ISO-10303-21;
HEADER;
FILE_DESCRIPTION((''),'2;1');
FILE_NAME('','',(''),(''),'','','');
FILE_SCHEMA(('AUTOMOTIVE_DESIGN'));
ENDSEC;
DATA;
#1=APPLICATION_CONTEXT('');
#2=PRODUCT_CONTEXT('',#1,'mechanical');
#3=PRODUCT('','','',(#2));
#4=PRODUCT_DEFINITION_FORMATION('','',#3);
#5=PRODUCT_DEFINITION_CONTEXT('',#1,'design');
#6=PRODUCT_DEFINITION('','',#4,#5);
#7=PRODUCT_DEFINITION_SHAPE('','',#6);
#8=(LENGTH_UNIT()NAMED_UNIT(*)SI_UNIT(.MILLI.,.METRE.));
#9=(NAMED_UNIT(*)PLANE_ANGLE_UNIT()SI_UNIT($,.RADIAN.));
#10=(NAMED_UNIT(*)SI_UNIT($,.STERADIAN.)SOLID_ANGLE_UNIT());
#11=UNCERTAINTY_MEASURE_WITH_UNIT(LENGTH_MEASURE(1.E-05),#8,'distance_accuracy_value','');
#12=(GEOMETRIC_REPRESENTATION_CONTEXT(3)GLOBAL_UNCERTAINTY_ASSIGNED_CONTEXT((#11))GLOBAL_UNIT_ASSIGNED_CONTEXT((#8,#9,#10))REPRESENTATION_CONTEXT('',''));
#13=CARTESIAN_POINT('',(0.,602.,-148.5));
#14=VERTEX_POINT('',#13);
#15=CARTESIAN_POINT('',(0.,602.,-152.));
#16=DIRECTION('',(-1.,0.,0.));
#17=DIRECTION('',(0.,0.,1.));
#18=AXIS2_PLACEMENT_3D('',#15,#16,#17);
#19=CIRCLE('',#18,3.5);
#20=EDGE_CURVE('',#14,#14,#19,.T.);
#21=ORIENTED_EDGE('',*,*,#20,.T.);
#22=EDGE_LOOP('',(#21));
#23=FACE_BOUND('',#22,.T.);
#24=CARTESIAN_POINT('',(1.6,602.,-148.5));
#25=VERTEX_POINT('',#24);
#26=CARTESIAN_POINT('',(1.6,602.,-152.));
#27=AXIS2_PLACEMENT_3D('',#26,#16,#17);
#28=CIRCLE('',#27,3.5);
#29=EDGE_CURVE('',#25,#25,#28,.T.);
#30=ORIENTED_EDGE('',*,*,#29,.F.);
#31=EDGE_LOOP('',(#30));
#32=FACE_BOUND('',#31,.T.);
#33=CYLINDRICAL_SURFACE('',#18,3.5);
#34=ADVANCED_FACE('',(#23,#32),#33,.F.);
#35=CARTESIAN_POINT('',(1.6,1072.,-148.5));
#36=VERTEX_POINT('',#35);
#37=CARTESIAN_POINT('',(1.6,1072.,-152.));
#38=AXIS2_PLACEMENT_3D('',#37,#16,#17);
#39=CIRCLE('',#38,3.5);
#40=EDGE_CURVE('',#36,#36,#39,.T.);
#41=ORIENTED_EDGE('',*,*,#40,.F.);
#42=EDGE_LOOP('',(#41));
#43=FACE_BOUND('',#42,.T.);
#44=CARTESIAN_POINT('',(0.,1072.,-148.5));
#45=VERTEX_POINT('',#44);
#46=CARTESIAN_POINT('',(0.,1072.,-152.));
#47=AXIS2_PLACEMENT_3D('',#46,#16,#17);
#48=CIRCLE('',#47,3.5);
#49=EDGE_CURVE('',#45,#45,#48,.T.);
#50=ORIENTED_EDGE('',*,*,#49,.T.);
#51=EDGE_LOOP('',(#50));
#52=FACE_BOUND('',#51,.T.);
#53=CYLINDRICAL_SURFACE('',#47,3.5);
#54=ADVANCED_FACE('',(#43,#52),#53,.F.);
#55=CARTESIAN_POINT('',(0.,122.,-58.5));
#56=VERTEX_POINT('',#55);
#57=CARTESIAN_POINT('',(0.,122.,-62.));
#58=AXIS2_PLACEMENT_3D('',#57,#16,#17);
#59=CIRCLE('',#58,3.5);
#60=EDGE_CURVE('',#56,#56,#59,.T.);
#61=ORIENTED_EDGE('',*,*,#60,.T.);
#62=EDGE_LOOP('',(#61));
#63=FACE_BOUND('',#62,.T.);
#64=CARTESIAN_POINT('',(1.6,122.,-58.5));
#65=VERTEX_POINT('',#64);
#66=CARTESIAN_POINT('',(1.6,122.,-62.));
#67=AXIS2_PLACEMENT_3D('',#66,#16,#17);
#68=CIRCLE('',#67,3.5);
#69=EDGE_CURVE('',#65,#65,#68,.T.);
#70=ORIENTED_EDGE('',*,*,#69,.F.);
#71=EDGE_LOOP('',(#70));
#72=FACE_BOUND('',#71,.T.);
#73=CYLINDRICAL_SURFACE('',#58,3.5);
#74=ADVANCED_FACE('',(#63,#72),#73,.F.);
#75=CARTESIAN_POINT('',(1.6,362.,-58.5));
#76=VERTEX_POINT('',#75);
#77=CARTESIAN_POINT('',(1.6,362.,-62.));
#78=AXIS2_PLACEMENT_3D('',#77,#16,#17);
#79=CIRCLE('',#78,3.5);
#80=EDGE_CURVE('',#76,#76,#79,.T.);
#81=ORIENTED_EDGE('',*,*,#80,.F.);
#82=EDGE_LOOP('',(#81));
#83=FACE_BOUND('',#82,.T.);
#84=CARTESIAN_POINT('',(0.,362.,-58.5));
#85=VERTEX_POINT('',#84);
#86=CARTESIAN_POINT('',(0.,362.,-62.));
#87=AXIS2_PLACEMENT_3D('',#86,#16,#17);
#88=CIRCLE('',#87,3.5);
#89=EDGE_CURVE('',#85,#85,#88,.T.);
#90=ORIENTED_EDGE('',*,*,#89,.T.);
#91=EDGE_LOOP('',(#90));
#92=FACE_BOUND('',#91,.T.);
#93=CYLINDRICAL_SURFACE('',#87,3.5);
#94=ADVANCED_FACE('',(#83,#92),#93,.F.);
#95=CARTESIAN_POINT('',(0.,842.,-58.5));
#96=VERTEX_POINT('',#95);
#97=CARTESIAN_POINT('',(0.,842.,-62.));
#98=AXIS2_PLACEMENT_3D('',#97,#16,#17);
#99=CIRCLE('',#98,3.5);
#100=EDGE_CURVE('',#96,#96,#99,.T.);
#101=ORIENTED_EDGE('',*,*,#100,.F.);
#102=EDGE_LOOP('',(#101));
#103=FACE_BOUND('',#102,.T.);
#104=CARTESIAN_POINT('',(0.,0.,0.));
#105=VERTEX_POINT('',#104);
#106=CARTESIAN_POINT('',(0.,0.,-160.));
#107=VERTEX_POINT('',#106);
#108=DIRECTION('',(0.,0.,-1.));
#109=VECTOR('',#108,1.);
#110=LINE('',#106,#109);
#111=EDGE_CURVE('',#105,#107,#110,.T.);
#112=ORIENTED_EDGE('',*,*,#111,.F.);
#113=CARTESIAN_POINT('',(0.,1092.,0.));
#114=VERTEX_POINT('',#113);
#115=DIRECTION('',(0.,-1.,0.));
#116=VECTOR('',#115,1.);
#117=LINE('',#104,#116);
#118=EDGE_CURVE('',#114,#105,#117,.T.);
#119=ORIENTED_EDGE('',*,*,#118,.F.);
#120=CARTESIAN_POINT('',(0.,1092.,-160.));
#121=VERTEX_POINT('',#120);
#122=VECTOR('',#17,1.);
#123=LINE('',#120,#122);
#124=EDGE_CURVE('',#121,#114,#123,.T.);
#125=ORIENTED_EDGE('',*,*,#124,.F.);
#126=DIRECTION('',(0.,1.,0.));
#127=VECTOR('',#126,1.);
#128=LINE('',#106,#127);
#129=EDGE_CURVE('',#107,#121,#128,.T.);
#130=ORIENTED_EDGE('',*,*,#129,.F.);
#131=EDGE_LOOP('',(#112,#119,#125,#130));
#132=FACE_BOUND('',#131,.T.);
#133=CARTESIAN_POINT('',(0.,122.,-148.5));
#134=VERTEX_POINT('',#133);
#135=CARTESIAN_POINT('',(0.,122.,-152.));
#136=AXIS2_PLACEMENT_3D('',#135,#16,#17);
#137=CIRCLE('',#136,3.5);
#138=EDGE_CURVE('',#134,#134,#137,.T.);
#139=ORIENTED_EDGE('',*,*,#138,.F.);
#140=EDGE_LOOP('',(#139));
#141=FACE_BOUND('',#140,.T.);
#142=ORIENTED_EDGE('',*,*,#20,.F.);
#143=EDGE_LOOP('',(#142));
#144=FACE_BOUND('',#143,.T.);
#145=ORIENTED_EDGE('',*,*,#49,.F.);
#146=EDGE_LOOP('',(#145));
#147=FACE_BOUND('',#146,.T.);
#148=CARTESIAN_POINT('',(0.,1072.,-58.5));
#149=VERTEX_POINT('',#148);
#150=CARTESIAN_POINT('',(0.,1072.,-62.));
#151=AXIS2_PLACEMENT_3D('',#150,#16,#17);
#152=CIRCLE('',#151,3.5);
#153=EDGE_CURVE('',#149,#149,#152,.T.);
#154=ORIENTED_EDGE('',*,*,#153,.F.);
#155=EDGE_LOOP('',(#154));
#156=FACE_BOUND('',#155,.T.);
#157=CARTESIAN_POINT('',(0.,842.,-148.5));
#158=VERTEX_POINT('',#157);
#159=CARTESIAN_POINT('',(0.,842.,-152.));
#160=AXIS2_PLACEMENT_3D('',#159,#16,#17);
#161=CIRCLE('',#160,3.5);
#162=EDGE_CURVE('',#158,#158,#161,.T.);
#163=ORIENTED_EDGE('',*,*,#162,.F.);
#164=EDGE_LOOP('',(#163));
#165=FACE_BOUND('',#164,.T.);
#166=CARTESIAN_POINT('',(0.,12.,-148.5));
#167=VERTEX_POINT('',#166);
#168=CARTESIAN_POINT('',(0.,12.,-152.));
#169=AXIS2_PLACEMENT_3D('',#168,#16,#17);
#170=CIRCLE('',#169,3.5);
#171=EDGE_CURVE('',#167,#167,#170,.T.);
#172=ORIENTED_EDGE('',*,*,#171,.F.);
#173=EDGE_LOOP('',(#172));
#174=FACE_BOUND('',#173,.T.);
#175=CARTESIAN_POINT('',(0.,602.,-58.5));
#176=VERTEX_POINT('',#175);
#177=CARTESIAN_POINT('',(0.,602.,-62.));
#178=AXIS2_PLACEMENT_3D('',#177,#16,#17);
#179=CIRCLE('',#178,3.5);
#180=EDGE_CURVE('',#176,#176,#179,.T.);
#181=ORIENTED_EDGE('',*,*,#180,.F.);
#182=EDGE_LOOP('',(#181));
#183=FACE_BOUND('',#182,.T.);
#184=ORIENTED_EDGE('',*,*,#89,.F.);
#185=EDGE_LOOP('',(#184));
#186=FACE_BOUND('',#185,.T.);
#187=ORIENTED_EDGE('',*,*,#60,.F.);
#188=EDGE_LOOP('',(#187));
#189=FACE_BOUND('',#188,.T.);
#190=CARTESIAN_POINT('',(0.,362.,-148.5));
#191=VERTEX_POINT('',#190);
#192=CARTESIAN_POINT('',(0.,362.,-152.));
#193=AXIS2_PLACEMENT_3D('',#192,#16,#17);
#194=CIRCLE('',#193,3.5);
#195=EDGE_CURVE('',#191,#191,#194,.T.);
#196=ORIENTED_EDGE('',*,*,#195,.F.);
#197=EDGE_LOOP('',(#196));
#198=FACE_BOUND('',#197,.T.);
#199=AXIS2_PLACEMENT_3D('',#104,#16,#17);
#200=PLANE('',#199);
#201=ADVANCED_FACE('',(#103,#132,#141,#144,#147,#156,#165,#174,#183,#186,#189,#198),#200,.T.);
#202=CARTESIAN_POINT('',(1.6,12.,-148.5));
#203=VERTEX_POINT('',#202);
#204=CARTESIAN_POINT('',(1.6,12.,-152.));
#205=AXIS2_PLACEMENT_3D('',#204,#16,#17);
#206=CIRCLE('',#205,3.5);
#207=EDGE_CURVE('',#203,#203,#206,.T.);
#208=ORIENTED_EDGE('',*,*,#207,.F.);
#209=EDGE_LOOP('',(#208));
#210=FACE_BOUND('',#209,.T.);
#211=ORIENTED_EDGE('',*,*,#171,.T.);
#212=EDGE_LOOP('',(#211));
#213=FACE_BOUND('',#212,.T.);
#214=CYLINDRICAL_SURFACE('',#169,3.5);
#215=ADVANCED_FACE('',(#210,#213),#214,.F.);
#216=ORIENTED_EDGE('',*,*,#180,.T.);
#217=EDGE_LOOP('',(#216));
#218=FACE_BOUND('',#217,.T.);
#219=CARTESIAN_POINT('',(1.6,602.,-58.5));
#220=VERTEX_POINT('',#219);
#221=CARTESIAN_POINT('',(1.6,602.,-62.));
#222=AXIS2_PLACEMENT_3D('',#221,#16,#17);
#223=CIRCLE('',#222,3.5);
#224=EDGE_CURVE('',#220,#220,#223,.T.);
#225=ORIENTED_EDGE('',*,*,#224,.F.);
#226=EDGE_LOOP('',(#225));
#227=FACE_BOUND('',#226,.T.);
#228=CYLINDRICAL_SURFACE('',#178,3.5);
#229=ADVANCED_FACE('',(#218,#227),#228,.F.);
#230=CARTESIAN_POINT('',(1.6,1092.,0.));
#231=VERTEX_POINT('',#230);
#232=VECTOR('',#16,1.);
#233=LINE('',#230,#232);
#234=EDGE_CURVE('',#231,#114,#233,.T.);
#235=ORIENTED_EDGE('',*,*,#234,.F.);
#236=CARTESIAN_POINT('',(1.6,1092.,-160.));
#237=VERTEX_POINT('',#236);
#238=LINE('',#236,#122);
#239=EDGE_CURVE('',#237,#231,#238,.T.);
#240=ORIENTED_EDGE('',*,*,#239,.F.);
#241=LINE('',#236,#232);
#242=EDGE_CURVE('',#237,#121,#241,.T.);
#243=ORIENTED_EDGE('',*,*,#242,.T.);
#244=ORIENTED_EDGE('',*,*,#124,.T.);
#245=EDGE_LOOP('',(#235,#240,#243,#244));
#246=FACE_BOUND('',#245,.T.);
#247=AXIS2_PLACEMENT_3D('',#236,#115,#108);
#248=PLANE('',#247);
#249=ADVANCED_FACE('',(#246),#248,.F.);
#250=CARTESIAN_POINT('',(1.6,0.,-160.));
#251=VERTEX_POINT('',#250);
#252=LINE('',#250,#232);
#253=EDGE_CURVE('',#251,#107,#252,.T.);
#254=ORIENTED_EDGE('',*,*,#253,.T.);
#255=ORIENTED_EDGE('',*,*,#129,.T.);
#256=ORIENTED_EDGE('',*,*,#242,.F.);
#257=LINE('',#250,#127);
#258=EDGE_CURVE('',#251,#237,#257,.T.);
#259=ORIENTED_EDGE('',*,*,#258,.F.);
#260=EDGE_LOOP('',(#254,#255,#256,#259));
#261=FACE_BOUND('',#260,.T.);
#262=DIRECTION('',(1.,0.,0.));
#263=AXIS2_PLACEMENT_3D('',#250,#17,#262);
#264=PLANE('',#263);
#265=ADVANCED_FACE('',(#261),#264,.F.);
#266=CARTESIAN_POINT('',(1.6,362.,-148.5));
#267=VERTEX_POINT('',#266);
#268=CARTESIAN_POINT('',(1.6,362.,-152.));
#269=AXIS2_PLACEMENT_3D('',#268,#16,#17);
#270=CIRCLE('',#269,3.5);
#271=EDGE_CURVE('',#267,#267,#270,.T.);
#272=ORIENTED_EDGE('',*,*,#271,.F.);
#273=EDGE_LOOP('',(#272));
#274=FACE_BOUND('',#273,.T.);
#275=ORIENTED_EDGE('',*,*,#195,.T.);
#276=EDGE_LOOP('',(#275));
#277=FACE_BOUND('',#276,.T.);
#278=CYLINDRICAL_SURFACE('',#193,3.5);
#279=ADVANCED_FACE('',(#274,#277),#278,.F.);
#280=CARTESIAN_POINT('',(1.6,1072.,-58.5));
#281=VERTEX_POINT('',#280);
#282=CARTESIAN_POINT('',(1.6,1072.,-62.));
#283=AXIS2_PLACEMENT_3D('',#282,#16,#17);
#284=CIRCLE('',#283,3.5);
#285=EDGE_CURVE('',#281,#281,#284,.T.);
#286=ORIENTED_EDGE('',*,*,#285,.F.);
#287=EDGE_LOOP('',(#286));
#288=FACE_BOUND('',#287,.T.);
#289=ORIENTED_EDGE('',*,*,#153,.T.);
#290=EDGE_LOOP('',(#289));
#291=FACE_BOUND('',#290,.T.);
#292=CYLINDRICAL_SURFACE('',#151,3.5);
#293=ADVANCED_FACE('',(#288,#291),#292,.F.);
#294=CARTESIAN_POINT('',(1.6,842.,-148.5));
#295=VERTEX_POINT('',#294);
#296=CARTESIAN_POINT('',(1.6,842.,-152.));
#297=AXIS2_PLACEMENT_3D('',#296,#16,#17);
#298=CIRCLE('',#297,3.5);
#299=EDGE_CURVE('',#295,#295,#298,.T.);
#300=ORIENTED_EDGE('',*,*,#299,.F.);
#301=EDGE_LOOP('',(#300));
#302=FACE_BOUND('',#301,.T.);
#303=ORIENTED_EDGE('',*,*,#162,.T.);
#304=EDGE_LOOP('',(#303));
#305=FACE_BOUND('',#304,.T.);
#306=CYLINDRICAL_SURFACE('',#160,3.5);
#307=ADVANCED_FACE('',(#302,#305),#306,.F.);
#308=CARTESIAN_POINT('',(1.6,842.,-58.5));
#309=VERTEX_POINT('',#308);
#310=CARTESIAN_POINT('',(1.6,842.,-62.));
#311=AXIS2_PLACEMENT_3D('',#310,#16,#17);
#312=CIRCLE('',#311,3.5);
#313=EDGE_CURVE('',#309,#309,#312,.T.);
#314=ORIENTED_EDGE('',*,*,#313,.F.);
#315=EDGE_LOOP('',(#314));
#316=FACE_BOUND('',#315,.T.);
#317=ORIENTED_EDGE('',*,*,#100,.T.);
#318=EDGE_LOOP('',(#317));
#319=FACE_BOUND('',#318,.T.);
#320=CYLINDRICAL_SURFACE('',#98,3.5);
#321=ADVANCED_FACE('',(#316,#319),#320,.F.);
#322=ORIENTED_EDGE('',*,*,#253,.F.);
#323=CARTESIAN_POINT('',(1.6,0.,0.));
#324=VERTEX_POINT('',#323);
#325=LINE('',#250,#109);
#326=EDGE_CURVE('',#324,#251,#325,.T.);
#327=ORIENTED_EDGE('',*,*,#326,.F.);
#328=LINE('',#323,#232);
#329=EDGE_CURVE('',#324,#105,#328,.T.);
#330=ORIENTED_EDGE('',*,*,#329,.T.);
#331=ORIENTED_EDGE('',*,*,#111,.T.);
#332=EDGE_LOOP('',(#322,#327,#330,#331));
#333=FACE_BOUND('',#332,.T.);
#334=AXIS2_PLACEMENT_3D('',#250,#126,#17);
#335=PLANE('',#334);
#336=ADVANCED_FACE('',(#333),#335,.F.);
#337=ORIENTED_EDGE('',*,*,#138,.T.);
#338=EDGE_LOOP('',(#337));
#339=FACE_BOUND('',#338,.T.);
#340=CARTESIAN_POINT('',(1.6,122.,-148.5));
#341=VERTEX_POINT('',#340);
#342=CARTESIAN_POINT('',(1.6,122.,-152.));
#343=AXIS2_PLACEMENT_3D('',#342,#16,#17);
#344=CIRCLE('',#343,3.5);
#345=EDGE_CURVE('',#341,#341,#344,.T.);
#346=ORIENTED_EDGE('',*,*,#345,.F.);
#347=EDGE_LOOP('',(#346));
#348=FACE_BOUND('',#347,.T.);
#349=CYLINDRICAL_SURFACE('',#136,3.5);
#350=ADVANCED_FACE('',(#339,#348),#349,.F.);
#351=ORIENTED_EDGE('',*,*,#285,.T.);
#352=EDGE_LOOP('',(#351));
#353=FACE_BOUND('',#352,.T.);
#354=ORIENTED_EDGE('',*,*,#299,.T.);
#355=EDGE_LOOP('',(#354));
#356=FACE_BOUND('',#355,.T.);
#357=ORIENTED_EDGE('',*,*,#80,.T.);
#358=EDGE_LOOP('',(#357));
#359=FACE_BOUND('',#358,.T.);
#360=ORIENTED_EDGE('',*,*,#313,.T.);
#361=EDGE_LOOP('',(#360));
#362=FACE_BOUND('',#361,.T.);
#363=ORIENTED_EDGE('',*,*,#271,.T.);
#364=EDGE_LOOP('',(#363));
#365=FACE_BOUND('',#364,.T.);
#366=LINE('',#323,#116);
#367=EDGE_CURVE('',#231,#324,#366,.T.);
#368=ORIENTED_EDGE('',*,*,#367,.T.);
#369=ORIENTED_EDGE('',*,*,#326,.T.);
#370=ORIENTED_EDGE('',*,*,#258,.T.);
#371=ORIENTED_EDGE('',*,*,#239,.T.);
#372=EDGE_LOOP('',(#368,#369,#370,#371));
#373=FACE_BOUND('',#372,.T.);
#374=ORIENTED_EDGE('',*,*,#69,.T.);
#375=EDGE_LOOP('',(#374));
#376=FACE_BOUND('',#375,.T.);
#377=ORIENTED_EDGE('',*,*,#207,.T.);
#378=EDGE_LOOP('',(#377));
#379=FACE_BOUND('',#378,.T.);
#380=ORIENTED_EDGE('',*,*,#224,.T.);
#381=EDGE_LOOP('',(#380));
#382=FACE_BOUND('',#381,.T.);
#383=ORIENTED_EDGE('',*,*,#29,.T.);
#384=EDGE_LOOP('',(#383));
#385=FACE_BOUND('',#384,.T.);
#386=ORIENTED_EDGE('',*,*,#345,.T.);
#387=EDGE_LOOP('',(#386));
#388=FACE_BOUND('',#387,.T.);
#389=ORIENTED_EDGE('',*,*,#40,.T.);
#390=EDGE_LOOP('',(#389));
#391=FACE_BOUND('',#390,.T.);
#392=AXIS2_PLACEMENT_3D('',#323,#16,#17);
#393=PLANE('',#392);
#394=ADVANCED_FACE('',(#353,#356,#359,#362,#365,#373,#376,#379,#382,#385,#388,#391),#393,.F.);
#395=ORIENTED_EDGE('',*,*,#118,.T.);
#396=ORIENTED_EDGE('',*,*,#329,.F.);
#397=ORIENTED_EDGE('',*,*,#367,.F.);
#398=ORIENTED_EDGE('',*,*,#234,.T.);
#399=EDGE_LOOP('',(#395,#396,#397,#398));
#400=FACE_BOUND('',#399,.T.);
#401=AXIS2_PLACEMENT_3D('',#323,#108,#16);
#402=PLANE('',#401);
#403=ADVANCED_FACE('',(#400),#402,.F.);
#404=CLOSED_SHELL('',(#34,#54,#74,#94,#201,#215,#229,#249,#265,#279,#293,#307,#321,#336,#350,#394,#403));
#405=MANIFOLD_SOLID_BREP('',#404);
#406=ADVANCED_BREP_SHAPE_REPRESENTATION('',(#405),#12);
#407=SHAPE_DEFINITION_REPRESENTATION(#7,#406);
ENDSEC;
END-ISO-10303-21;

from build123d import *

# Parameters (mm, degrees)
SKETCH1_W                         = 160
SKETCH1_H                         = 1092
BOSS_EXTRUDE1_DEPTH               = 1.6
F_7_0_7_DIAMETER_HOLE1_D          = 7
F_7_0_7_DIAMETER_HOLE1_DEPTH      = 12
F_7_0_7_DIAMETER_HOLE1_TIP        = 2.103012167
F_7_0_7_DIAMETER_HOLE3_AT_2_COUNT = 2
F_7_0_7_DIAMETER_HOLE3_AT_2_PITCH = 90
LPATTERN1_COUNT                   = 4
LPATTERN1_PITCH                   = 240


with BuildPart() as part:
    # Sketch1 → Boss-Extrude1 (new body)
    with BuildSketch(Plane(origin=(0, 0, 0), x_dir=(0, 0, -1), z_dir=(1, 0, 0))):
        with Locations((80, 546)):
            Rectangle(SKETCH1_W, SKETCH1_H)
    extrude(amount=BOSS_EXTRUDE1_DEPTH)

    # Ø7.0 (7) Diameter Hole1
    with Locations(Plane.ZY):
        with Locations((-152, 12), (-152, 1072), (-62, 1072)):
            Hole(F_7_0_7_DIAMETER_HOLE1_D / 2, depth=F_7_0_7_DIAMETER_HOLE1_DEPTH)
            with Locations((0, 0, -(F_7_0_7_DIAMETER_HOLE1_DEPTH + F_7_0_7_DIAMETER_HOLE1_TIP / 2))):  # 118° drill point
                Cone(0, F_7_0_7_DIAMETER_HOLE1_D / 2, F_7_0_7_DIAMETER_HOLE1_TIP, mode=Mode.SUBTRACT)

    # Sketch4 → Ø7.0 (7) Diameter Hole3 (revolve, cut)
    with BuildSketch(Plane(origin=(0, 122, -152), x_dir=(0, 0, 1), z_dir=(0, 1, 0))):
        Polygon((0, 0), (0, 14.103012167), (3.5, 12), (3.5, 0), align=None)
    f_7_0_7_diameter_hole3 = revolve(axis=Axis((-6.35, 122, -152), (1, 0, 0)), mode=Mode.SUBTRACT)

    # Ø7.0 (7) Diameter Hole3 at 2: Ø7.0 (7) Diameter Hole3 ×2
    with Locations(*[(0, 0, i * F_7_0_7_DIAMETER_HOLE3_AT_2_PITCH) for i in range(1, F_7_0_7_DIAMETER_HOLE3_AT_2_COUNT)]):
        add(f_7_0_7_diameter_hole3, mode=Mode.SUBTRACT)

    # LPattern1: Ø7.0 (7) Diameter Hole3 ×4
    with Locations(*[(0, i * LPATTERN1_PITCH, 0) for i in range(1, LPATTERN1_COUNT)]):
        add(f_7_0_7_diameter_hole3, mode=Mode.SUBTRACT)

    # LPattern1 copy 1 sketch → LPattern1 copy 1 (revolve, cut)
    with BuildSketch(Plane(origin=(0, 362, -62), x_dir=(0, 0, 1), z_dir=(0, 1, 0))):
        Polygon((0, 0), (0, 14.103012167), (3.5, 12), (3.5, 0), align=None)
    revolve(axis=Axis((-6.35, 362, -62), (1, 0, 0)), mode=Mode.SUBTRACT)

    # LPattern1 copy 2 sketch → LPattern1 copy 2 (revolve, cut)
    with BuildSketch(Plane(origin=(0, 602, -62), x_dir=(0, 0, 1), z_dir=(0, 1, 0))):
        Polygon((0, 0), (0, 14.103012167), (3.5, 12), (3.5, 0), align=None)
    revolve(axis=Axis((-6.35, 602, -62), (1, 0, 0)), mode=Mode.SUBTRACT)

    # LPattern1 copy 3 sketch → LPattern1 copy 3 (revolve, cut)
    with BuildSketch(Plane(origin=(0, 842, -62), x_dir=(0, 0, 1), z_dir=(0, 1, 0))):
        Polygon((0, 0), (0, 14.103012167), (3.5, 12), (3.5, 0), align=None)
    revolve(axis=Axis((-6.35, 842, -62), (1, 0, 0)), mode=Mode.SUBTRACT)


solid = part.part
